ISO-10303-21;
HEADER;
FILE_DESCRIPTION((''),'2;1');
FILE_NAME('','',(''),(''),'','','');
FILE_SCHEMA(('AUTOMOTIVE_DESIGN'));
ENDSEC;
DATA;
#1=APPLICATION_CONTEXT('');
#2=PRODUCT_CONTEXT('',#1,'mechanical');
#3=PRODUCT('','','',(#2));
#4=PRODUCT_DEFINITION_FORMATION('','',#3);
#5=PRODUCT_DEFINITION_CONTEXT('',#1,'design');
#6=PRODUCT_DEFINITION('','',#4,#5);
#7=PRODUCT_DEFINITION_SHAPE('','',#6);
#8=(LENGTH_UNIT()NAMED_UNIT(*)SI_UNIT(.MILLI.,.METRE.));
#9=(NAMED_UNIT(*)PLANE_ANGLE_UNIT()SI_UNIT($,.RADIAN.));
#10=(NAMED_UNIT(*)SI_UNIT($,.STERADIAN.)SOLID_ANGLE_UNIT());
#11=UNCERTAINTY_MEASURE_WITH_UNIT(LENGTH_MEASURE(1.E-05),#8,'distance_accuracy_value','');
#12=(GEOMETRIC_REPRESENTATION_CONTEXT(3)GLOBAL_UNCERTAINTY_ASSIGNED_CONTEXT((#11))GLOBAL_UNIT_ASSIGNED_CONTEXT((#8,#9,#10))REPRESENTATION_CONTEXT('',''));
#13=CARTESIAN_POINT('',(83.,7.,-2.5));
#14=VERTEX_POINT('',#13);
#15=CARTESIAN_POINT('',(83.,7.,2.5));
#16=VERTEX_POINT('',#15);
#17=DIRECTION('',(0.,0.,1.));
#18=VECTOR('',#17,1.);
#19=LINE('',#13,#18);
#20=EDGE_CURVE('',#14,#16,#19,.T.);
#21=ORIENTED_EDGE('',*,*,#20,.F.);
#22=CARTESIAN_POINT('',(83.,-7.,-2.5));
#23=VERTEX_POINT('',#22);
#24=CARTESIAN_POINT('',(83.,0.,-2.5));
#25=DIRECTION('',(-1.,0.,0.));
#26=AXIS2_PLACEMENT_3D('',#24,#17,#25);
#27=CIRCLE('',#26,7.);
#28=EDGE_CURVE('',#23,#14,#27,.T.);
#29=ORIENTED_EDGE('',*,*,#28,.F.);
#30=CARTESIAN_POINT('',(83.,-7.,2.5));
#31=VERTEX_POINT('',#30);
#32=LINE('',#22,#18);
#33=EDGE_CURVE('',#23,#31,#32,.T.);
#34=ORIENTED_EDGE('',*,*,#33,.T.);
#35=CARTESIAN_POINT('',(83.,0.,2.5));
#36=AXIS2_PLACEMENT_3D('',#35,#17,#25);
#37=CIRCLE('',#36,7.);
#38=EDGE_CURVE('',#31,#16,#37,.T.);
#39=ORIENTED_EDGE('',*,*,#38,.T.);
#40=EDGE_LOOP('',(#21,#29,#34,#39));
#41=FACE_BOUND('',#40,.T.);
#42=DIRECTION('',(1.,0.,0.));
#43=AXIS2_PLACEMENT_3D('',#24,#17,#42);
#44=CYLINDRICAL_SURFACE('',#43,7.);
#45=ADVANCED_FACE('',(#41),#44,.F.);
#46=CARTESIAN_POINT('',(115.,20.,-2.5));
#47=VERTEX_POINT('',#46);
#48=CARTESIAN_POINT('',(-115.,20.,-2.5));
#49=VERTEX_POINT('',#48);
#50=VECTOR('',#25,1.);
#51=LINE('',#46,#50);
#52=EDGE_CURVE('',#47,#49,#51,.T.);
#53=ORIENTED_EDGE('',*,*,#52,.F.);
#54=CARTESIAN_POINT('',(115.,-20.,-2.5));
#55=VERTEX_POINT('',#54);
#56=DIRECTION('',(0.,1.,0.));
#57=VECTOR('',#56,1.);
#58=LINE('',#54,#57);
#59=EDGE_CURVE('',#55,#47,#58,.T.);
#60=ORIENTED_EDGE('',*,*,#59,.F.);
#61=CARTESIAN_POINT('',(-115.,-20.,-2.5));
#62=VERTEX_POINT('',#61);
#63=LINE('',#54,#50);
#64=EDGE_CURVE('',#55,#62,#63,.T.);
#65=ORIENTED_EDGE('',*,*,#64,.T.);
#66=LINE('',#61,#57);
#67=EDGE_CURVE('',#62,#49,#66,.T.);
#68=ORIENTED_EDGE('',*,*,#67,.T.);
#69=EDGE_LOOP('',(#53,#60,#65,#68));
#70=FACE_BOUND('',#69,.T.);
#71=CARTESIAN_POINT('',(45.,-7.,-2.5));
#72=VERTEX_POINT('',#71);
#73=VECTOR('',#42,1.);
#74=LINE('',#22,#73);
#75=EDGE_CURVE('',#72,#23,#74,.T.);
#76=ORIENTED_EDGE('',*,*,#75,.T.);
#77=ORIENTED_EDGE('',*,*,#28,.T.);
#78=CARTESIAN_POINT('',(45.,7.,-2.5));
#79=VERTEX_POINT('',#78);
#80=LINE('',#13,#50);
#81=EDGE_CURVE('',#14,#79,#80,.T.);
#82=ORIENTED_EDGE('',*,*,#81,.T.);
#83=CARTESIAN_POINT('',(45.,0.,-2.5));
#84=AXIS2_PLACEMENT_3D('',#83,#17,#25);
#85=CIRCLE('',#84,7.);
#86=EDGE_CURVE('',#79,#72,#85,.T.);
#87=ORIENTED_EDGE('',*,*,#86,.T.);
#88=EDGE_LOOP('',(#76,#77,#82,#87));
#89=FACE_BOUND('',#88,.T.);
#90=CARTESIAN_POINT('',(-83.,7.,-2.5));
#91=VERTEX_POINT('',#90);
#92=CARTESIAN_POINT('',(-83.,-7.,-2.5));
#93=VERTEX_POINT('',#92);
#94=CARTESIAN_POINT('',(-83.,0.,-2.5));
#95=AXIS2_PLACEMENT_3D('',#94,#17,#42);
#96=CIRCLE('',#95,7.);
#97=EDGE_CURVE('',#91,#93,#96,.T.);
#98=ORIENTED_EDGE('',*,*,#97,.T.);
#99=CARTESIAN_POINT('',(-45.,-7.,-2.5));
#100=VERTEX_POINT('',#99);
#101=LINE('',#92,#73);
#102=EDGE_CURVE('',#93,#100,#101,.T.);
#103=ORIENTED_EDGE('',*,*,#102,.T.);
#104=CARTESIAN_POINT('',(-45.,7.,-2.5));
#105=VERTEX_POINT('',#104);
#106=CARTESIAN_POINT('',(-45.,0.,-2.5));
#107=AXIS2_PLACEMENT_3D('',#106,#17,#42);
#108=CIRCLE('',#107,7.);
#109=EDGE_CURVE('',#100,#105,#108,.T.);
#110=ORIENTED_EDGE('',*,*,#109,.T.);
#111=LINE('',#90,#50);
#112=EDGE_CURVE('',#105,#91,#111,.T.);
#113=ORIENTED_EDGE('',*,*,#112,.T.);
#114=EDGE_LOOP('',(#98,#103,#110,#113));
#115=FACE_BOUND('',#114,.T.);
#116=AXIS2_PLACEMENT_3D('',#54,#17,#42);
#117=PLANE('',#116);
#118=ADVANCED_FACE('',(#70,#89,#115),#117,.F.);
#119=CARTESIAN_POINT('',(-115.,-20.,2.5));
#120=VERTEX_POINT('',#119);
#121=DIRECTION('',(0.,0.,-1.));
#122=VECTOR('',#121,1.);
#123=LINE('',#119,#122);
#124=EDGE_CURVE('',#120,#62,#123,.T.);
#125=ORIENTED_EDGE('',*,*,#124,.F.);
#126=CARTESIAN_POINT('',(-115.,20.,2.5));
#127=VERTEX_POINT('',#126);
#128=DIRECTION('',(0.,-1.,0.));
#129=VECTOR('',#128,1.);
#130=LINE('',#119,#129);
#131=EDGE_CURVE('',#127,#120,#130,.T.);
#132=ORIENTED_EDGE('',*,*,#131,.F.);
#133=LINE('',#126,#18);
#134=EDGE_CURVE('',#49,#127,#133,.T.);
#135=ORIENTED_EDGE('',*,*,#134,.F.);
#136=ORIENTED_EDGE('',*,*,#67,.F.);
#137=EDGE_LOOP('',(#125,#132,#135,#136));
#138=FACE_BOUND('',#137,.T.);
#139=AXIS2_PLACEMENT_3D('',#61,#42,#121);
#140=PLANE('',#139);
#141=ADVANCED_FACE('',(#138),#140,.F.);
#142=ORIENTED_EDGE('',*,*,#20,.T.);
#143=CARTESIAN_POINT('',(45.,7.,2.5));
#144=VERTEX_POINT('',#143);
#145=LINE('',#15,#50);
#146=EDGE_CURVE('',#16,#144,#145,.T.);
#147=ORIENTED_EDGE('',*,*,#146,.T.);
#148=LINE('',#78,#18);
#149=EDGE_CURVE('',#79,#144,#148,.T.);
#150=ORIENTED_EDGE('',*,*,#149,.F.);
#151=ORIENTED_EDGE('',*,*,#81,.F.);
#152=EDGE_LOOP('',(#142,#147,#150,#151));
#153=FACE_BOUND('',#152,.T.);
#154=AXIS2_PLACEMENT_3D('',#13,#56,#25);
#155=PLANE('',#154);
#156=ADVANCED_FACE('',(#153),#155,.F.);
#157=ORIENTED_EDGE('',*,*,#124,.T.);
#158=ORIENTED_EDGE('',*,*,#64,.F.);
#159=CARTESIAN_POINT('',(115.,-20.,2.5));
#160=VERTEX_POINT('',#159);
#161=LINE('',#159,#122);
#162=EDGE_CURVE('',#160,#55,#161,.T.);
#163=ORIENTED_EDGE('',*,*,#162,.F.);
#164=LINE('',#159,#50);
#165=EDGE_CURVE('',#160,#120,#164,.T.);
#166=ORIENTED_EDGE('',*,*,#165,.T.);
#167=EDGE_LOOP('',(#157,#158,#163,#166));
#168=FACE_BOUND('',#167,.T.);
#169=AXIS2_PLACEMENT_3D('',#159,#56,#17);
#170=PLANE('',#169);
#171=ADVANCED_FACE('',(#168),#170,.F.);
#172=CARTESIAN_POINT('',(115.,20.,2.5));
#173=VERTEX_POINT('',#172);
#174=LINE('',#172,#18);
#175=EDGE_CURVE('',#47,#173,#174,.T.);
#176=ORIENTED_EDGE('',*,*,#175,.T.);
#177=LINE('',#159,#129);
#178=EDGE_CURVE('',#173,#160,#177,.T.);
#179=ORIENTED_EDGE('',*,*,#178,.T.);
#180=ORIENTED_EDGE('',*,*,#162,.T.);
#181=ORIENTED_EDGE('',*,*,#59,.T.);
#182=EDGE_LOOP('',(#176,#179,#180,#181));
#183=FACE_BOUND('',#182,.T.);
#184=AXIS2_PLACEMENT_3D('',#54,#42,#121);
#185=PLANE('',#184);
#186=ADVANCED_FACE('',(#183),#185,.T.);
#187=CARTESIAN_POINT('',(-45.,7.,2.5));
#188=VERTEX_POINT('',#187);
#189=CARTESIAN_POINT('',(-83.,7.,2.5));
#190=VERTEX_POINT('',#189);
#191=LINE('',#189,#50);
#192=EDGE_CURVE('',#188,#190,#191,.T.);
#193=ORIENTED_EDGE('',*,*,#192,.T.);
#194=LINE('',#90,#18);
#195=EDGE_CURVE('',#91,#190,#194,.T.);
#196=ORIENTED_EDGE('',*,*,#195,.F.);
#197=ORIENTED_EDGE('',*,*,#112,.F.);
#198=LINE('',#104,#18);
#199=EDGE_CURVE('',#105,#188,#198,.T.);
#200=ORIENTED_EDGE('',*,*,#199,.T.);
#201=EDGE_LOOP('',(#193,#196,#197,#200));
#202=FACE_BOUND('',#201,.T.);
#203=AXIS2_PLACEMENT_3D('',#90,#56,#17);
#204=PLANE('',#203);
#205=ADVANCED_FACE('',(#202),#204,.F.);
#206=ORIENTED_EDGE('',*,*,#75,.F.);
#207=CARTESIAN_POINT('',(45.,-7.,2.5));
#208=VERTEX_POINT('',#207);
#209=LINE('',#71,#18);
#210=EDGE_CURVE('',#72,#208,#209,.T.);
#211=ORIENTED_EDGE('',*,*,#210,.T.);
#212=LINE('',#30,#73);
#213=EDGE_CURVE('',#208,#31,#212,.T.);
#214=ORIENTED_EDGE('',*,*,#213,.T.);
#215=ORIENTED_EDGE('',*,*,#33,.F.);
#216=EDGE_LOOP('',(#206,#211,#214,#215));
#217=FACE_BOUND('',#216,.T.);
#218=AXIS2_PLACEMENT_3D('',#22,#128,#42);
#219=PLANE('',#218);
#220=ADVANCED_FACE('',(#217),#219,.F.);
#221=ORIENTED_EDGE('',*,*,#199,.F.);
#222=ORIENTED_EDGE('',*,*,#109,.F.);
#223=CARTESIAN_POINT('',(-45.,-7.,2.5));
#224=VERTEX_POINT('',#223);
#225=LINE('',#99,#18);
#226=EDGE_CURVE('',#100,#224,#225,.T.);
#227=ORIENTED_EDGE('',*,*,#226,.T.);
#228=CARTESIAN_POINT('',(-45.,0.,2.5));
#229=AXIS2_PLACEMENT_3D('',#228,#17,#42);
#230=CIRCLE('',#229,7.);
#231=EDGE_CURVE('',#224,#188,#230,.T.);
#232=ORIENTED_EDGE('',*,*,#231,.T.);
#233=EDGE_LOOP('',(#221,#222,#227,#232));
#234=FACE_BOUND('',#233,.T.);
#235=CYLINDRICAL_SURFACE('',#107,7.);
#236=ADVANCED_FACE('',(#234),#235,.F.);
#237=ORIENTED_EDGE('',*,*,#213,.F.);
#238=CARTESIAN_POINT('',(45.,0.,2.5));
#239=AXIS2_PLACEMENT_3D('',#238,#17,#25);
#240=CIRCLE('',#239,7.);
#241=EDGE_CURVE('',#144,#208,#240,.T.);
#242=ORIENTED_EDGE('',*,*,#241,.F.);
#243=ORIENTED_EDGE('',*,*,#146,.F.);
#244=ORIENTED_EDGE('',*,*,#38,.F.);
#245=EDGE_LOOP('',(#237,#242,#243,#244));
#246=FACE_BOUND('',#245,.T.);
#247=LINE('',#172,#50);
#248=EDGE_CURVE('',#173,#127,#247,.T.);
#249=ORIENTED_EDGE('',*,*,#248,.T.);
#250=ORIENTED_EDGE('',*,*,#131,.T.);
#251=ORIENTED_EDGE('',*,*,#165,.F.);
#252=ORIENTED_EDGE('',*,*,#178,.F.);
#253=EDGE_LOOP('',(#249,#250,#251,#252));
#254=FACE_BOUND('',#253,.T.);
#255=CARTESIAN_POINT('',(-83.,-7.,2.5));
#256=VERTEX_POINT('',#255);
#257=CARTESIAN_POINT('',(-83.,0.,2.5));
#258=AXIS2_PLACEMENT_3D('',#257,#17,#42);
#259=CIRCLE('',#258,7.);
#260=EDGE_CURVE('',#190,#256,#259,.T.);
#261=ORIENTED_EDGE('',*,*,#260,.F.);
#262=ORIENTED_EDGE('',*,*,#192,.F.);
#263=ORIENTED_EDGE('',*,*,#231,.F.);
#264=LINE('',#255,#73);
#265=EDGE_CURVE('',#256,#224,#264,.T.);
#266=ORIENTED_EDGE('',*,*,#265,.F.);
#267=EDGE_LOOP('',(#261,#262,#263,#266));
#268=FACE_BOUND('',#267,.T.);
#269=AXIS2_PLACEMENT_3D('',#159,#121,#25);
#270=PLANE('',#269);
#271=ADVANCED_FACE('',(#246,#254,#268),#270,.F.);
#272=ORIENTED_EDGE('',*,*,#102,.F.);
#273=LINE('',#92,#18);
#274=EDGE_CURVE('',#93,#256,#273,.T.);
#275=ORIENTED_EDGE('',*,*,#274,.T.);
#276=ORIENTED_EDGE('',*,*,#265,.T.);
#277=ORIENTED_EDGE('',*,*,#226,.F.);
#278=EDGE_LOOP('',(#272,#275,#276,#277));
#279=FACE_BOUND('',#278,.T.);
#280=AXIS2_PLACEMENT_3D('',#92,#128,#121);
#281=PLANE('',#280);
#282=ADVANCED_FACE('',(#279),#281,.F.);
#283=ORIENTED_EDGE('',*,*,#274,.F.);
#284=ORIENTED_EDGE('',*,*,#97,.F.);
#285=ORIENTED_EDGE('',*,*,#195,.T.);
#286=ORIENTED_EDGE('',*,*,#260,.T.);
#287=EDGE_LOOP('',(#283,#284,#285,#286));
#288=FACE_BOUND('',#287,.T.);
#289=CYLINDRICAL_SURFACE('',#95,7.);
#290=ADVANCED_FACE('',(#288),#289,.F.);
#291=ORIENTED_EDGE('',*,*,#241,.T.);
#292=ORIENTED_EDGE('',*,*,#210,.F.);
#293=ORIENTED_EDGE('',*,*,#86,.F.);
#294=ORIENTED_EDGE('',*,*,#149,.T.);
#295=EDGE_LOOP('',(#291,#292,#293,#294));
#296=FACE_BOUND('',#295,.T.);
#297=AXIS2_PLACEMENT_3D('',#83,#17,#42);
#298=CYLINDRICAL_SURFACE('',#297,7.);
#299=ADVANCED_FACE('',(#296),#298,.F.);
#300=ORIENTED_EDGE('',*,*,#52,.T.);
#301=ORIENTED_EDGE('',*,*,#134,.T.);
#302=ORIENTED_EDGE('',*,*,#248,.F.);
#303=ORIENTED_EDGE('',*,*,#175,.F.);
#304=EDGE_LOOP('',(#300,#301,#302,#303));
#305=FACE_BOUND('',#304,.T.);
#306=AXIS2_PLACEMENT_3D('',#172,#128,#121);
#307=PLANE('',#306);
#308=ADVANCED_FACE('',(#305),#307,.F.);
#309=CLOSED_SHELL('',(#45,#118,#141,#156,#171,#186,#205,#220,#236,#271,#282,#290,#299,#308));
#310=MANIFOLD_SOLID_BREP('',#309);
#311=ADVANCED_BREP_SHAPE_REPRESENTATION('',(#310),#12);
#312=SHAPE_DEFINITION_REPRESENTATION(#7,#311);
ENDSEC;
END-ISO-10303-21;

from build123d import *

# Parameters (mm, degrees)
PLAT_W                       = 40
PLAT_H                       = 5
EL_MENT_M_CANO_SOUD_1_DEPTH  = 230
ENL_V_MAT_EXTRU_1_DEPTH      = 3.5
ENL_V_MAT_EXTRU_1_DEPTH_BACK = 3.5


with BuildPart() as part:
    # plat → Elément mécano-soudé1 (new body)
    with BuildSketch(Plane.YZ.offset(-115)):
        Rectangle(PLAT_W, PLAT_H)
    extrude(amount=EL_MENT_M_CANO_SOUD_1_DEPTH)

    # Esquisse2 → Enlèv. mat.-Extru.1 (cut, two sides)
    with BuildSketch(Plane.XY) as enl_v_mat_extru_1_sk:
        with BuildLine():
            Line((-83, 7), (-45, 7))
            ThreePointArc((-45, 7), (-38, 0), (-45, -7))
            Line((-45, -7), (-83, -7))
            ThreePointArc((-83, -7), (-90, 0), (-83, 7))
        make_face()
        with BuildLine():
            Line((83, 7), (45, 7))
            ThreePointArc((45, 7), (38, 0), (45, -7))
            Line((45, -7), (83, -7))
            ThreePointArc((83, -7), (90, 0), (83, 7))
        make_face()
    extrude(amount=ENL_V_MAT_EXTRU_1_DEPTH, mode=Mode.SUBTRACT)
    extrude(enl_v_mat_extru_1_sk.sketch, amount=-ENL_V_MAT_EXTRU_1_DEPTH_BACK, mode=Mode.SUBTRACT)


solid = part.part
